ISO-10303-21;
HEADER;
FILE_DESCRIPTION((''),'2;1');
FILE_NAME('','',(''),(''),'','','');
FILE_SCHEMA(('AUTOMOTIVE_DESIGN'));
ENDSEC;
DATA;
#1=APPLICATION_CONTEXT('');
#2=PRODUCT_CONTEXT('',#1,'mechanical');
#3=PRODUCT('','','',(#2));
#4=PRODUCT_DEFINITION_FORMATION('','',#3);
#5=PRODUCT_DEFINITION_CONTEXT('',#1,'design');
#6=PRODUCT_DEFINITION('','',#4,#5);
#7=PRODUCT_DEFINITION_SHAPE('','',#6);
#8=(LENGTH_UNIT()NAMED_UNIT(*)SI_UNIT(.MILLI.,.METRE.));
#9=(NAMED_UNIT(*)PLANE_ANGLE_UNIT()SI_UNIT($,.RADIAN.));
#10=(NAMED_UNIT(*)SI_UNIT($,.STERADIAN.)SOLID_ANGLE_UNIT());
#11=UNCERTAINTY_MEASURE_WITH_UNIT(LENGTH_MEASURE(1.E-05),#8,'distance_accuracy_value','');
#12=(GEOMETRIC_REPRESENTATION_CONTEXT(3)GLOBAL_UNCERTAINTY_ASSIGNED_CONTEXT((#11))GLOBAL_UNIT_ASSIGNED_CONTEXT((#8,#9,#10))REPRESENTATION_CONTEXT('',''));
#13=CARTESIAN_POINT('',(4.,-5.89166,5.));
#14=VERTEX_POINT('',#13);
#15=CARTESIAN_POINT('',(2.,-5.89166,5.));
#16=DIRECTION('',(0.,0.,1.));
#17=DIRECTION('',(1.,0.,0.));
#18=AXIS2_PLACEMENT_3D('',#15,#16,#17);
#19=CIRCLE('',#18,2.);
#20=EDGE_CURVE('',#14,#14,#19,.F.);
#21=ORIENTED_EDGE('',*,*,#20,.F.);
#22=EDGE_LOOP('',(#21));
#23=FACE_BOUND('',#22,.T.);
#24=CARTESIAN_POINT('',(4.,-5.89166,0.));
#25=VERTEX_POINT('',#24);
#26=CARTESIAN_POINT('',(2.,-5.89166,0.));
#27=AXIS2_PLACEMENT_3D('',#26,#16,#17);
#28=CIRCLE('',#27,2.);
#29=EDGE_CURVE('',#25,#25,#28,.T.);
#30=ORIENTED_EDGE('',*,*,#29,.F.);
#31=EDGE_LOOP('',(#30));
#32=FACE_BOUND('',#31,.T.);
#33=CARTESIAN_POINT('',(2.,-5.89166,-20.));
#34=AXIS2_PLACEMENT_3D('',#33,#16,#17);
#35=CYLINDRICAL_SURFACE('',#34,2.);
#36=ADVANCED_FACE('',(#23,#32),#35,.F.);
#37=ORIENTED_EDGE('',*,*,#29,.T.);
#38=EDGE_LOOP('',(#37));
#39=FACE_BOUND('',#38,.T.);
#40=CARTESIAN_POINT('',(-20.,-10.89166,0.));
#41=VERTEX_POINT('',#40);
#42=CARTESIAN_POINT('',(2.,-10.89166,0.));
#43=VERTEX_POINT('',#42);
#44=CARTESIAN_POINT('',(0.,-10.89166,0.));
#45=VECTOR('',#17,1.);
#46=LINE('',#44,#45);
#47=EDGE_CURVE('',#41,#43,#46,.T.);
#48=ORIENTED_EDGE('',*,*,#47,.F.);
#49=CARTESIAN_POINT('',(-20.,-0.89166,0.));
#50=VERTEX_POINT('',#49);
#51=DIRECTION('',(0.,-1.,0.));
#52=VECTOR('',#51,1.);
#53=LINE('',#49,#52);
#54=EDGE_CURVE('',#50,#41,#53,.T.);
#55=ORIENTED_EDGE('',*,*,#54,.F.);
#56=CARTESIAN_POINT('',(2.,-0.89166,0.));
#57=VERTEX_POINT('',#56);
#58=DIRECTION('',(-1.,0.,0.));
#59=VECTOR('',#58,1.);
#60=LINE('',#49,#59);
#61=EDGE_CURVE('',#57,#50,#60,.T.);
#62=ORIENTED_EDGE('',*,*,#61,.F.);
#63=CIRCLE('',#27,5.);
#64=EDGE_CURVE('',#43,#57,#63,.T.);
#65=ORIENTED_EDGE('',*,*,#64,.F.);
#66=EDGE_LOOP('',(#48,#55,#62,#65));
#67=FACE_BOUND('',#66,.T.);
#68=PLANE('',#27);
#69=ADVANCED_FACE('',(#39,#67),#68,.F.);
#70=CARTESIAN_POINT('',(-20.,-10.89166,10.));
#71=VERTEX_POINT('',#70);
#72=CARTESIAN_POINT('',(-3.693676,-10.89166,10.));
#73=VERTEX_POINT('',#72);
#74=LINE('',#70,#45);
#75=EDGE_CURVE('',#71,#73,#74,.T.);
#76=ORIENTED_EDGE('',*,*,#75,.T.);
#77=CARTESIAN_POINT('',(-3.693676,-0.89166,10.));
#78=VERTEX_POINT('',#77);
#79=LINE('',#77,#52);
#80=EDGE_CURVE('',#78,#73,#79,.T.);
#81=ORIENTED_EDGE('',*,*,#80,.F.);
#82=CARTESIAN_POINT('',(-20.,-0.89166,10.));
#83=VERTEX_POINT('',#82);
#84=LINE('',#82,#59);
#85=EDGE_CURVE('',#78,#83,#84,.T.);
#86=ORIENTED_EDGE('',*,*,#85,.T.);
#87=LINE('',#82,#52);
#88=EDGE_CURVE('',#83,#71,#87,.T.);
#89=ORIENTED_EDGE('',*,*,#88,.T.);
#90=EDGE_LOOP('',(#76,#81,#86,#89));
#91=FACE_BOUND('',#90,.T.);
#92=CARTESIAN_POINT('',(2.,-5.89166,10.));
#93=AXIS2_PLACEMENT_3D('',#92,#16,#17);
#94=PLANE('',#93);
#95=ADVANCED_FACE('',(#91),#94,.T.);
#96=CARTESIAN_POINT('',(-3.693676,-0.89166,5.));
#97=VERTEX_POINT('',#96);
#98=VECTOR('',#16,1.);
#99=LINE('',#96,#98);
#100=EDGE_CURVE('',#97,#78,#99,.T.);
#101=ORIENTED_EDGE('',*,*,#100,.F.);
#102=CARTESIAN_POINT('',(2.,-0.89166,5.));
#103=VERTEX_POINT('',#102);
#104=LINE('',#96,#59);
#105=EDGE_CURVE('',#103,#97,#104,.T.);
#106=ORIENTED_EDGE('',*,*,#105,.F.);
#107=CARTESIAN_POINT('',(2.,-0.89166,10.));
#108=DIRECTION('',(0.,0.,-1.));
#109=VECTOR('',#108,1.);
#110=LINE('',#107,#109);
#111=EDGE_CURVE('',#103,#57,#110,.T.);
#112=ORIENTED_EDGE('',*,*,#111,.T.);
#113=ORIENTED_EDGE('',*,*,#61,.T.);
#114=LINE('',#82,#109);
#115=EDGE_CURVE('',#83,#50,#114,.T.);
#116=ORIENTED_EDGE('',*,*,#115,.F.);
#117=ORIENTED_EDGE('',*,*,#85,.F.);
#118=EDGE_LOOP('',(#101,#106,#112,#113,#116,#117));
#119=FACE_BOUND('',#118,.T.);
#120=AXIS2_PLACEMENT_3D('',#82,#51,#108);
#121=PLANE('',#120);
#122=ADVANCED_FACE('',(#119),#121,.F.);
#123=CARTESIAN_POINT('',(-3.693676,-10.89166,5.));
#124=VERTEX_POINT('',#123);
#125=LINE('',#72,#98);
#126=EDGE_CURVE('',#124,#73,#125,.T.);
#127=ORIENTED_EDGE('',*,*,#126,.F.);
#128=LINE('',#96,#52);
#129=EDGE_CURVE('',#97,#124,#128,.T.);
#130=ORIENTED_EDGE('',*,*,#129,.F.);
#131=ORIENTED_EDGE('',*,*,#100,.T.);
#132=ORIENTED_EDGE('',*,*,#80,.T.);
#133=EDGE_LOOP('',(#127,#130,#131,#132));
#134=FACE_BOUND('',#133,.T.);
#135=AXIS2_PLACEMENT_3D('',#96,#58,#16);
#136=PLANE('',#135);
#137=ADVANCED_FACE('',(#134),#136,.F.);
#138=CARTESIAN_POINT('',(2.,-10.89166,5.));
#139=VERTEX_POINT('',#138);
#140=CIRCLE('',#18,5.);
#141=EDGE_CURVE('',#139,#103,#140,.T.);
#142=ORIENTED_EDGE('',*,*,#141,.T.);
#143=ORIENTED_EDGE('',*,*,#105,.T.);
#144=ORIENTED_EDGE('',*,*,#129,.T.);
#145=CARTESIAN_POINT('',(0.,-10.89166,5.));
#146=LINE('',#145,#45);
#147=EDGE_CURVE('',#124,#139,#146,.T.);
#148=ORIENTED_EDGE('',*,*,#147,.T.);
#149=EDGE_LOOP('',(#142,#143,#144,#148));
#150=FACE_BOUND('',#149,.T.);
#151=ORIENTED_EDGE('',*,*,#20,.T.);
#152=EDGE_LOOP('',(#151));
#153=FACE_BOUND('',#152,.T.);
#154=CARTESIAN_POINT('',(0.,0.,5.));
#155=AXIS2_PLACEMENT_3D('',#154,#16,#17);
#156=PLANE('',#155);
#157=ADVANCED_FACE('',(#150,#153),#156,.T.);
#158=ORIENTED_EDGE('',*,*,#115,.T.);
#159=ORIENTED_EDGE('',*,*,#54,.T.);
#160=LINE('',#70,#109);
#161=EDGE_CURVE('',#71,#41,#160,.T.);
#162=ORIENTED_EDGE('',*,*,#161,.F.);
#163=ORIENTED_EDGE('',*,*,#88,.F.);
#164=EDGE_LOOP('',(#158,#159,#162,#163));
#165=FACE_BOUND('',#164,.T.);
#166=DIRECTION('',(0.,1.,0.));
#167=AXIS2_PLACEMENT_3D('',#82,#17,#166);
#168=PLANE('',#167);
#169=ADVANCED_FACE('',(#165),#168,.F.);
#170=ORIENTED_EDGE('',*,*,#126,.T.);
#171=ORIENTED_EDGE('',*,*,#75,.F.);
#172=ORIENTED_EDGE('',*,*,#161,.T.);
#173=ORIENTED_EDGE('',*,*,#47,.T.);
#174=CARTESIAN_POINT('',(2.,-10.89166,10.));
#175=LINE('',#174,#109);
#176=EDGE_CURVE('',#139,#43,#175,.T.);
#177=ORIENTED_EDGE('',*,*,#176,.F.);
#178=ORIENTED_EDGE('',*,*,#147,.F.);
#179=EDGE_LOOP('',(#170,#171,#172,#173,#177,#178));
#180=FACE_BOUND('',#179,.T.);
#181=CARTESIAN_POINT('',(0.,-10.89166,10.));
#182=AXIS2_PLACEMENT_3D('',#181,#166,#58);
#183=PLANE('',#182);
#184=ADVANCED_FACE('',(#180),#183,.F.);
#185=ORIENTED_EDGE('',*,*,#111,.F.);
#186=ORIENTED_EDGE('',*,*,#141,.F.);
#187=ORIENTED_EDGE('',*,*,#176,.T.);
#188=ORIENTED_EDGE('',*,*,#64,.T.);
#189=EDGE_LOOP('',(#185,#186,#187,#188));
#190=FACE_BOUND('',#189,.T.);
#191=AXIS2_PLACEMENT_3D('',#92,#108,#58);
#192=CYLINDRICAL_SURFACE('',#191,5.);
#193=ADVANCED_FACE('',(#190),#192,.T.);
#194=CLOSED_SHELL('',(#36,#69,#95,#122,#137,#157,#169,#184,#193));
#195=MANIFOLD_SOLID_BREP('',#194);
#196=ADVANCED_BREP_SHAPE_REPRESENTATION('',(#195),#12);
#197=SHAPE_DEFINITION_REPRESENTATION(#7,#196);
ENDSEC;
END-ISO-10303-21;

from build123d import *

# Parameters (mm, degrees)
BOSS_EXTRUDE1_DEPTH = 10
SKETCH2_R           = 2
CUT_EXTRUDE1_DEPTH  = 30
SKETCH4_W           = 18.757466853
SKETCH4_H           = 10.0829174
CUT_EXTRUDE3_DEPTH  = 5


with BuildPart() as part:
    # Sketch1 → Boss-Extrude1 (new body)
    with BuildSketch(Plane.XY):
        with BuildLine():
            Line((0, -10.891659923), (2, -10.891659923))
            ThreePointArc((2, -10.891659923), (7, -5.891659923), (2, -0.891659923))
            Line((2, -0.891659923), (-20, -0.891659923))
            Line((-20, -0.891659923), (-20, -10.891659923))
            Line((-20, -10.891659923), (0, -10.891659923))
        make_face()
    extrude(amount=BOSS_EXTRUDE1_DEPTH)

    # Sketch2 → Cut-Extrude1 (cut)
    with BuildSketch(Plane.XY.offset(10)):
        with Locations((2, -5.891659923)):
            Circle(SKETCH2_R)
    extrude(amount=-CUT_EXTRUDE1_DEPTH, mode=Mode.SUBTRACT)

    # Sketch4 → Cut-Extrude3 (cut)
    with BuildSketch(Plane.XY.offset(10)):
        with Locations((5.685057141, -5.933118623)):
            Rectangle(SKETCH4_W, SKETCH4_H)
    extrude(amount=-CUT_EXTRUDE3_DEPTH, mode=Mode.SUBTRACT)


solid = part.part
